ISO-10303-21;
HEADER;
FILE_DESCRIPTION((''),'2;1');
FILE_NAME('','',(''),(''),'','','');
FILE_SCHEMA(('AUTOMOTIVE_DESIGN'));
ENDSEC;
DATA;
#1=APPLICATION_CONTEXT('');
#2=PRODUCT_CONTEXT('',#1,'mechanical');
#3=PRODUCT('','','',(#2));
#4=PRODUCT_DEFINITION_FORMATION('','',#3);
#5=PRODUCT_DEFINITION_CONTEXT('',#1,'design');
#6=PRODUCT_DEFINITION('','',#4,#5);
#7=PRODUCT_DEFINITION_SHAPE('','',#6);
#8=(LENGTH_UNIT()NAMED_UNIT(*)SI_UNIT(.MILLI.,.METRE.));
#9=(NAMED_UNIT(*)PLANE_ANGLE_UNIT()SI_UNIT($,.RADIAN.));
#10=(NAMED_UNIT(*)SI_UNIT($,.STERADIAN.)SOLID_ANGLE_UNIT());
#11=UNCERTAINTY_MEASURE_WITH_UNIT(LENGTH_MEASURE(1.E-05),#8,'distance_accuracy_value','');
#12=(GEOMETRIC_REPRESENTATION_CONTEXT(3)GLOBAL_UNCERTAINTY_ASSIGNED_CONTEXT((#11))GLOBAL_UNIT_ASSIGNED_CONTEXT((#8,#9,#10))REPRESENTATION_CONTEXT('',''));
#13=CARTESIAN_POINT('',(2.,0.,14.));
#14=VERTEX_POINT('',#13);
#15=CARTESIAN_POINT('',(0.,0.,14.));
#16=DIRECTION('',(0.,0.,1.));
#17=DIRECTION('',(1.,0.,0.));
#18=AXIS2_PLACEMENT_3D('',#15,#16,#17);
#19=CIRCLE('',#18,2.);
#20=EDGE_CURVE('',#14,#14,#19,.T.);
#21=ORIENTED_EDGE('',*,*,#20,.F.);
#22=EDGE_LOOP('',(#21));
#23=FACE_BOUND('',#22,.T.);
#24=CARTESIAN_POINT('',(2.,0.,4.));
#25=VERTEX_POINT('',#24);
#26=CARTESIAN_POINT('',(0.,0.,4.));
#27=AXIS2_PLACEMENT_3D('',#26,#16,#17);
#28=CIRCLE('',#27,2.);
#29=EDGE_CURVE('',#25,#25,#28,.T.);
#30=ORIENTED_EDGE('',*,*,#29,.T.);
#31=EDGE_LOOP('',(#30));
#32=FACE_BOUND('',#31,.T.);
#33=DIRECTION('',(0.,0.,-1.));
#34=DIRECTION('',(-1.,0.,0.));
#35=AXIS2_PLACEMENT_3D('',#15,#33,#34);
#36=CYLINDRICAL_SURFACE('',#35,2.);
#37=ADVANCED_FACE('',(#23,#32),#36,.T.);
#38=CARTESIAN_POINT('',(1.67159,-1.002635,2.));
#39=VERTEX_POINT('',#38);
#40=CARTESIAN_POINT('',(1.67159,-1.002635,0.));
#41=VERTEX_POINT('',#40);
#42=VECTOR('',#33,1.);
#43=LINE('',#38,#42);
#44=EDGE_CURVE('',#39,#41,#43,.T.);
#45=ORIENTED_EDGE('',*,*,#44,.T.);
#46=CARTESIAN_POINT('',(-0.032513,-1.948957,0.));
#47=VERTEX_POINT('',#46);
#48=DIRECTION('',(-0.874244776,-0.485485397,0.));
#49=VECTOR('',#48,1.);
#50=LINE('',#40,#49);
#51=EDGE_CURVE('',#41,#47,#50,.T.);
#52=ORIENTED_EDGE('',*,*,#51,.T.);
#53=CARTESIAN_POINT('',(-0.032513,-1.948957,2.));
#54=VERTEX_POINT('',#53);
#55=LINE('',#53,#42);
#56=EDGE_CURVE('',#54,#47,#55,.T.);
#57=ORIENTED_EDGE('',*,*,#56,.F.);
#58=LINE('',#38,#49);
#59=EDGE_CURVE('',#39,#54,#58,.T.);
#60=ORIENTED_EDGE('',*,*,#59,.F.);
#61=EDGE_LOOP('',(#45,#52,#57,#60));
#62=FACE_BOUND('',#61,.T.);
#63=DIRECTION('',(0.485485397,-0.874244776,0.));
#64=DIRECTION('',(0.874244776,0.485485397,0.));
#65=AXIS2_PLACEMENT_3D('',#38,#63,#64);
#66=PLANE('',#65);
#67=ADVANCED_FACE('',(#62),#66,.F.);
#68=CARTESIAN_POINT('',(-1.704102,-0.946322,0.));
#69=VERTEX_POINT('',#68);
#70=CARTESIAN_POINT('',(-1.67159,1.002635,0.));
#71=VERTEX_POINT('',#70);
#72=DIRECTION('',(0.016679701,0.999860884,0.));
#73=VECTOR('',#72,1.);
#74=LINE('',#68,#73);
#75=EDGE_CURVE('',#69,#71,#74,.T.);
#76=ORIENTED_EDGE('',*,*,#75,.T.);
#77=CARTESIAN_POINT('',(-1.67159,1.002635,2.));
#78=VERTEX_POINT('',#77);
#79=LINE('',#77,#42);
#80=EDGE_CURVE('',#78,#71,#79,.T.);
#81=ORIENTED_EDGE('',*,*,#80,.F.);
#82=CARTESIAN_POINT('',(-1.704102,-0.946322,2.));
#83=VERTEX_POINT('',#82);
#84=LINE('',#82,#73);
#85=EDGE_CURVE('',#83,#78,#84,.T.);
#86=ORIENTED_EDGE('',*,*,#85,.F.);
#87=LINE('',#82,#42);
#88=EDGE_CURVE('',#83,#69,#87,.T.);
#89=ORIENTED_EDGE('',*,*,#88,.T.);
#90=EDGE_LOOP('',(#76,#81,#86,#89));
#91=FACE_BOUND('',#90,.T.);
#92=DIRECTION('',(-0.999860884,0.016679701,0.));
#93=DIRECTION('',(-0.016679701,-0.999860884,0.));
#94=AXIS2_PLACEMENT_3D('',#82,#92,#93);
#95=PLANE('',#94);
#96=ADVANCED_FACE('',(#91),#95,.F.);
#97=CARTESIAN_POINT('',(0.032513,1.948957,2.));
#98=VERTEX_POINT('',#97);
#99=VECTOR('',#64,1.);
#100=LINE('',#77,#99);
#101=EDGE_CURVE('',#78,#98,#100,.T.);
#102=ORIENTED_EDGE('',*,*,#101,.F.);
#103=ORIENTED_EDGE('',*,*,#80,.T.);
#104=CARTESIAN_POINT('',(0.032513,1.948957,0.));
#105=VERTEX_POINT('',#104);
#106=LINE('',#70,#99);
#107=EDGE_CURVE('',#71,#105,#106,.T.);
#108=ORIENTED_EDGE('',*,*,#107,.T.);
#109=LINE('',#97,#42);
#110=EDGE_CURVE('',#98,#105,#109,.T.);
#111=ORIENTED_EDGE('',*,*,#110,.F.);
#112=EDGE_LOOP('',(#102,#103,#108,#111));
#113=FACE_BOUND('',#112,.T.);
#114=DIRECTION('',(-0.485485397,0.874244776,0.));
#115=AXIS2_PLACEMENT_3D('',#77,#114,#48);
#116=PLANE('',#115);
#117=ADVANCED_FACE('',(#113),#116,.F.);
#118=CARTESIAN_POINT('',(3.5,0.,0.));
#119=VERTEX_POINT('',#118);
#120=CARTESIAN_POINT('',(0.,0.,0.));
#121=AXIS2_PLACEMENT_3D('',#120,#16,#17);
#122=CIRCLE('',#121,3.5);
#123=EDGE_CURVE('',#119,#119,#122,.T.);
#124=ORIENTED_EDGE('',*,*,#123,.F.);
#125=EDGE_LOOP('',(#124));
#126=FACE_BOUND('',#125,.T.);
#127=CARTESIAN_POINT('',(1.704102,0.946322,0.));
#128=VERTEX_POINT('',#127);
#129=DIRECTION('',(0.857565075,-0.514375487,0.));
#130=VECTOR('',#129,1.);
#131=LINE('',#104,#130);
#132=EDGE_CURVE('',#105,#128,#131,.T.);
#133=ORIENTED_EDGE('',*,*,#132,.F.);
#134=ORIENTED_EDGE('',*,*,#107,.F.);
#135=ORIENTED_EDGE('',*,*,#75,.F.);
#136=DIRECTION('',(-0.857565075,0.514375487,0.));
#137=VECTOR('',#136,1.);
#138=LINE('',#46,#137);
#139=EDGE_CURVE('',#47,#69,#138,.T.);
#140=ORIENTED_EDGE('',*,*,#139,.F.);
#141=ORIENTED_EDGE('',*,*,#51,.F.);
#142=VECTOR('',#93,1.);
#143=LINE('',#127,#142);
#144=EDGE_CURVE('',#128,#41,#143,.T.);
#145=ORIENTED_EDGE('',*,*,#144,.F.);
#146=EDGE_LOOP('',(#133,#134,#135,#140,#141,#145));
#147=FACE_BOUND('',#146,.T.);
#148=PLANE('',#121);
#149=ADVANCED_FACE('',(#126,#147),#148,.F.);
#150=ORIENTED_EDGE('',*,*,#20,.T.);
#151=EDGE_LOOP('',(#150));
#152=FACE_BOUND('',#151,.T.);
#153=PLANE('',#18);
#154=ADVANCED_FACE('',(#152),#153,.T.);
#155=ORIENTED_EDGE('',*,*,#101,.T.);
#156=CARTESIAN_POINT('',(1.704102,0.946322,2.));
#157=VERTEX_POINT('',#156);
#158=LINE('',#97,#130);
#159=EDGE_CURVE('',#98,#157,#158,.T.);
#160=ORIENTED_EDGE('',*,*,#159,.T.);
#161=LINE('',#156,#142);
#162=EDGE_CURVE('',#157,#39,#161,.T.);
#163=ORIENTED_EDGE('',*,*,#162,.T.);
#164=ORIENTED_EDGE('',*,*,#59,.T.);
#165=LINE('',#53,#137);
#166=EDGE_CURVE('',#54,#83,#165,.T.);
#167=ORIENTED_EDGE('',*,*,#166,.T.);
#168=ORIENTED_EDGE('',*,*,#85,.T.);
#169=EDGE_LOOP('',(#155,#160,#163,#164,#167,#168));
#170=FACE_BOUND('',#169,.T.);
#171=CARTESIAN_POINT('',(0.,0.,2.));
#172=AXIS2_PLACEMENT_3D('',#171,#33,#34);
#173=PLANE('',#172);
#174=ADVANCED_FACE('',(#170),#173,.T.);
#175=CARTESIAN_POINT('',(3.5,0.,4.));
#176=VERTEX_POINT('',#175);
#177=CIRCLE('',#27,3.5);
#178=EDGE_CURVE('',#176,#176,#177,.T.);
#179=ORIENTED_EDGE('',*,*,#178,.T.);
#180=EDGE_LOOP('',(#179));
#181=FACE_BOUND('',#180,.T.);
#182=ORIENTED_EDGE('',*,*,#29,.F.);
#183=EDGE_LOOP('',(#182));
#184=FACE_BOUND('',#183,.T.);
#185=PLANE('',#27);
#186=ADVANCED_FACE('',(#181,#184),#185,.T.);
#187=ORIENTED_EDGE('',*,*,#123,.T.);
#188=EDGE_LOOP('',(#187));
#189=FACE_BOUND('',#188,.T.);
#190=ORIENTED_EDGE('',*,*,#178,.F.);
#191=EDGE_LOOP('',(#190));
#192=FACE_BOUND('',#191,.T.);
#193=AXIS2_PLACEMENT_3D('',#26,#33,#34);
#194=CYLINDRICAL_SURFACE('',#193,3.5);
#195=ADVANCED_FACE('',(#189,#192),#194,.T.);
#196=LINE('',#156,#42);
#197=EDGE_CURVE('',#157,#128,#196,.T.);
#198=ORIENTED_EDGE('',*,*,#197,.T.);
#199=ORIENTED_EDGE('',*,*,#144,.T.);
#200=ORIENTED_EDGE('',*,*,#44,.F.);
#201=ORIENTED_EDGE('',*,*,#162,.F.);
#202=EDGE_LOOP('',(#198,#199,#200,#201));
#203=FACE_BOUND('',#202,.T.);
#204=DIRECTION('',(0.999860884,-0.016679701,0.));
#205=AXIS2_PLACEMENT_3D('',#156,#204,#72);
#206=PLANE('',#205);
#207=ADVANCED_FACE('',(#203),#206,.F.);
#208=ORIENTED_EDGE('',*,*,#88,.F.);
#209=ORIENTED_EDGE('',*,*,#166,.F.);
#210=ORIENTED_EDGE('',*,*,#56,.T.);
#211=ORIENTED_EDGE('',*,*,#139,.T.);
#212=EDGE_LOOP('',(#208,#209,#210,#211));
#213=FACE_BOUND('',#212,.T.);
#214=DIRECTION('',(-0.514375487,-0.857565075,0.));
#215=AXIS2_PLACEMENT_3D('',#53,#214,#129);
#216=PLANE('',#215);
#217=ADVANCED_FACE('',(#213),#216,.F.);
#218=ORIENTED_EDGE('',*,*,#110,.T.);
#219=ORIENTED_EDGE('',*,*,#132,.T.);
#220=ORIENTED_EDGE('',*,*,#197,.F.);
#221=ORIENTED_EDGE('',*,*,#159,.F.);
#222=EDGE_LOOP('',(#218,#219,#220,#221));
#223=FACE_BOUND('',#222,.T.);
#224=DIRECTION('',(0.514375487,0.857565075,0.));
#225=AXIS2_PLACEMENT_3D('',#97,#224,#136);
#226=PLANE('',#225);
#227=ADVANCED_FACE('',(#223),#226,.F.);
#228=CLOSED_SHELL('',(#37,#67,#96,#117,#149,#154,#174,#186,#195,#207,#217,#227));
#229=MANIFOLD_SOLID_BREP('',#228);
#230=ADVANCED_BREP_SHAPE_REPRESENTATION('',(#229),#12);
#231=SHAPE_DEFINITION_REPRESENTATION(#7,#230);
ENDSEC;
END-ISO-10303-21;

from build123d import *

# Parameters (mm, degrees)
SKETCH_1_R          = 3.5
EXTRUDE_1_DEPTH     = 4
SKETCH_2_R          = 2
EXTRUDE_2_DEPTH     = 10
CUT_EXTRUDE_1_DEPTH = 2


with BuildPart() as part:
    # ｽｹｯﾁ1 → ﾎﾞｽ - 押し出し1 (new body)
    with BuildSketch(Plane.XY):
        Circle(SKETCH_1_R)
    extrude(amount=EXTRUDE_1_DEPTH)

    # ｽｹｯﾁ2 → ﾎﾞｽ - 押し出し2 (add)
    with BuildSketch(Plane.XY.offset(4)):
        Circle(SKETCH_2_R)
    extrude(amount=EXTRUDE_2_DEPTH)

    # ｽｹｯﾁ3 → ｶｯﾄ - 押し出し1 (cut)
    with BuildSketch(Plane(origin=(0, 0, 0), x_dir=(-1, 0, 0), z_dir=(0, 0, -1))):
        Polygon((1.704102498, -0.946321786), (1.671589956, 1.002635161), (-0.032512542, 1.948956947), (-1.704102498, 0.946321786), (-1.671589956, -1.002635161), (0.032512542, -1.948956947), align=None)
    extrude(amount=-CUT_EXTRUDE_1_DEPTH, mode=Mode.SUBTRACT)


solid = part.part
